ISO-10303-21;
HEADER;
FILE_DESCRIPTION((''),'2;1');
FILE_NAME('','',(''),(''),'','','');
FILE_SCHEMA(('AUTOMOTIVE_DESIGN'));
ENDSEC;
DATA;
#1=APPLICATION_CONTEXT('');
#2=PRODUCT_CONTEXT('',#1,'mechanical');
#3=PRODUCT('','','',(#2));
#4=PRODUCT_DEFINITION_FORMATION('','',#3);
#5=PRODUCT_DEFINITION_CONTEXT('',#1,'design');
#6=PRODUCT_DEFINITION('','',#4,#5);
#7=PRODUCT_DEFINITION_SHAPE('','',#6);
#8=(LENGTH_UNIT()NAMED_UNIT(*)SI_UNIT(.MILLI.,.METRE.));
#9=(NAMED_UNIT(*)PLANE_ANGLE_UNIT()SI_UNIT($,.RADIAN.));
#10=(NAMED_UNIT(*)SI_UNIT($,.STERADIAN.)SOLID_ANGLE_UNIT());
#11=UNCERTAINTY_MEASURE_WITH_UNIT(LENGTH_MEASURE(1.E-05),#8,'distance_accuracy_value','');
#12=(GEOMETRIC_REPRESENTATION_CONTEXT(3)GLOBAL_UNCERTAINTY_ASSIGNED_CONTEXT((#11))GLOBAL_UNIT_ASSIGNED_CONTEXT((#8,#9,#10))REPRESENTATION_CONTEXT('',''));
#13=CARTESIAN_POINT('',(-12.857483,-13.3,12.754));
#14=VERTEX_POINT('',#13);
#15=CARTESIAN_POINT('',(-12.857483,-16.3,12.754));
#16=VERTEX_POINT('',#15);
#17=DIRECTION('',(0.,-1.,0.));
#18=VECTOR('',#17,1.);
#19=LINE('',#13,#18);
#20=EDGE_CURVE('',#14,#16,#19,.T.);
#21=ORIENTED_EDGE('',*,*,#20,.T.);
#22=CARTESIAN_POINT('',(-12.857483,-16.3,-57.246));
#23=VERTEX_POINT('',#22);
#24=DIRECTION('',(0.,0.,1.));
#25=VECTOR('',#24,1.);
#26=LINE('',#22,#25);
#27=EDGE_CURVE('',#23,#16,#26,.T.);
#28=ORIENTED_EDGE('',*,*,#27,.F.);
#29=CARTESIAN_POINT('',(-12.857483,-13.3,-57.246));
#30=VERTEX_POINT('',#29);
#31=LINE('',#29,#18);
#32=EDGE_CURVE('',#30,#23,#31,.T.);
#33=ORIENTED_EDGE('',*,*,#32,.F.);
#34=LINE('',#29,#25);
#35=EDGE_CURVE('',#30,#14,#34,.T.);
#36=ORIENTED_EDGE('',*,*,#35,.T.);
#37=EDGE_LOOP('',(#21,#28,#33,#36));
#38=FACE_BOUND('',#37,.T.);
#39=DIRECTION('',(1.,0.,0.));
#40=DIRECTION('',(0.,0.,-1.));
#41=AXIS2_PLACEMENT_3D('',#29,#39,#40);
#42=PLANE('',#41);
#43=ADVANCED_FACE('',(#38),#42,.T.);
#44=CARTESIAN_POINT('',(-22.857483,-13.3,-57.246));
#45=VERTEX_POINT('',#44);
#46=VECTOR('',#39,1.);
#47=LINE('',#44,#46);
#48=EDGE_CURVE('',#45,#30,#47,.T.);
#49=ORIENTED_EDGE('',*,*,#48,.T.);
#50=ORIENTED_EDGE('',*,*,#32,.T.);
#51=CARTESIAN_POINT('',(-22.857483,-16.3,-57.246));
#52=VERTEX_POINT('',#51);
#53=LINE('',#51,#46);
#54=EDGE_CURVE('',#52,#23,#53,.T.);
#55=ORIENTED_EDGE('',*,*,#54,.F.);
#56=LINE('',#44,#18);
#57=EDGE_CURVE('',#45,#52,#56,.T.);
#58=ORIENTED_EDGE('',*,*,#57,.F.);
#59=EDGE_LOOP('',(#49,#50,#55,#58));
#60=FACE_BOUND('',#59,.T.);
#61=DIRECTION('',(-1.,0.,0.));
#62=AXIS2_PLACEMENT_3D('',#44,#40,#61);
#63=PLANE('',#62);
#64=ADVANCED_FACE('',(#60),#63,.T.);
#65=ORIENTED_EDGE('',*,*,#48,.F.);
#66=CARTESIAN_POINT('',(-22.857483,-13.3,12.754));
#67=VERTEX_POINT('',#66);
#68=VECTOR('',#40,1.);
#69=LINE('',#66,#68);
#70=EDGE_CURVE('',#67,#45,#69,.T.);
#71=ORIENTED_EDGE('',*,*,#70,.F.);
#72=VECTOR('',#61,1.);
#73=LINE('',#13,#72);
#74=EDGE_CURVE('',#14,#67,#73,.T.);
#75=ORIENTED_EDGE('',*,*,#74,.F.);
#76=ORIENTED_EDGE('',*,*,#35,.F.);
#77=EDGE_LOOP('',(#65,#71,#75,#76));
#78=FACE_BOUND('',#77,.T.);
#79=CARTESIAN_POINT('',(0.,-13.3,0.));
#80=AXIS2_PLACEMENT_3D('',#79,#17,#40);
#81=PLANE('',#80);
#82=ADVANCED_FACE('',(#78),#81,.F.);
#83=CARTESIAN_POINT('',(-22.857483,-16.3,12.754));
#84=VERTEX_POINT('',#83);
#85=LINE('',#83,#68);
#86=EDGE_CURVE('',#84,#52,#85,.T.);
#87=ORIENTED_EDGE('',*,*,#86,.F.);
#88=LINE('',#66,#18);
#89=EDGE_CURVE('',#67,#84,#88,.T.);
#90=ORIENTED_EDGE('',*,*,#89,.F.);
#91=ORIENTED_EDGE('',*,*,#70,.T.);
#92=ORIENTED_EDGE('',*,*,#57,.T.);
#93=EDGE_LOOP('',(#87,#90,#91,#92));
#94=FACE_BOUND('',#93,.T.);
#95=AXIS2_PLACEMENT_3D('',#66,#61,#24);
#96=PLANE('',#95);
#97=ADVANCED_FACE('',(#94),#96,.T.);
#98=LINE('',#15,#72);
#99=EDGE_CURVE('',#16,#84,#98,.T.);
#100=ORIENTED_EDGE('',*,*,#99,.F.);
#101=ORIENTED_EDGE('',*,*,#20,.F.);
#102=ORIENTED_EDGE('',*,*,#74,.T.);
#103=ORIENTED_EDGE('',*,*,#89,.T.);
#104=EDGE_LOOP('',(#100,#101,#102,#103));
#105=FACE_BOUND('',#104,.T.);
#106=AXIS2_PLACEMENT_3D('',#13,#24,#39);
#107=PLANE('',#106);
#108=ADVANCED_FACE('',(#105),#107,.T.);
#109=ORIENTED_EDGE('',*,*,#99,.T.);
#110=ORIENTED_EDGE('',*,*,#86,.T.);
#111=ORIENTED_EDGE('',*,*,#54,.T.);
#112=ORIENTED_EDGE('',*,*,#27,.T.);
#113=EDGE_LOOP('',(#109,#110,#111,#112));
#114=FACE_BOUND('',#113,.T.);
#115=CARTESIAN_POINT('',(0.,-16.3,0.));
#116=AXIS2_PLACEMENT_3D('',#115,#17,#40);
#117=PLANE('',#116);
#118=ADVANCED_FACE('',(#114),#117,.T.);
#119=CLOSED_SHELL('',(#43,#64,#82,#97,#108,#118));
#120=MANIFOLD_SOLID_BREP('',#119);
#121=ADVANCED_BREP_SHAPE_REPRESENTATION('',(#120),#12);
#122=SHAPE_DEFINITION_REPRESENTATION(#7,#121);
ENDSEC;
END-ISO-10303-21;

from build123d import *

# Parameters (mm, degrees)
SKETCH1_W           = 10
SKETCH1_H           = 70
BOSS_EXTRUDE1_DEPTH = 3


with BuildPart() as part:
    # Sketch1 → Boss-Extrude1 (new body)
    with BuildSketch(Plane.XZ.offset(16.3)):
        with Locations((-17.857482945, -22.246)):
            Rectangle(SKETCH1_W, SKETCH1_H)
    extrude(amount=-BOSS_EXTRUDE1_DEPTH)


solid = part.part
